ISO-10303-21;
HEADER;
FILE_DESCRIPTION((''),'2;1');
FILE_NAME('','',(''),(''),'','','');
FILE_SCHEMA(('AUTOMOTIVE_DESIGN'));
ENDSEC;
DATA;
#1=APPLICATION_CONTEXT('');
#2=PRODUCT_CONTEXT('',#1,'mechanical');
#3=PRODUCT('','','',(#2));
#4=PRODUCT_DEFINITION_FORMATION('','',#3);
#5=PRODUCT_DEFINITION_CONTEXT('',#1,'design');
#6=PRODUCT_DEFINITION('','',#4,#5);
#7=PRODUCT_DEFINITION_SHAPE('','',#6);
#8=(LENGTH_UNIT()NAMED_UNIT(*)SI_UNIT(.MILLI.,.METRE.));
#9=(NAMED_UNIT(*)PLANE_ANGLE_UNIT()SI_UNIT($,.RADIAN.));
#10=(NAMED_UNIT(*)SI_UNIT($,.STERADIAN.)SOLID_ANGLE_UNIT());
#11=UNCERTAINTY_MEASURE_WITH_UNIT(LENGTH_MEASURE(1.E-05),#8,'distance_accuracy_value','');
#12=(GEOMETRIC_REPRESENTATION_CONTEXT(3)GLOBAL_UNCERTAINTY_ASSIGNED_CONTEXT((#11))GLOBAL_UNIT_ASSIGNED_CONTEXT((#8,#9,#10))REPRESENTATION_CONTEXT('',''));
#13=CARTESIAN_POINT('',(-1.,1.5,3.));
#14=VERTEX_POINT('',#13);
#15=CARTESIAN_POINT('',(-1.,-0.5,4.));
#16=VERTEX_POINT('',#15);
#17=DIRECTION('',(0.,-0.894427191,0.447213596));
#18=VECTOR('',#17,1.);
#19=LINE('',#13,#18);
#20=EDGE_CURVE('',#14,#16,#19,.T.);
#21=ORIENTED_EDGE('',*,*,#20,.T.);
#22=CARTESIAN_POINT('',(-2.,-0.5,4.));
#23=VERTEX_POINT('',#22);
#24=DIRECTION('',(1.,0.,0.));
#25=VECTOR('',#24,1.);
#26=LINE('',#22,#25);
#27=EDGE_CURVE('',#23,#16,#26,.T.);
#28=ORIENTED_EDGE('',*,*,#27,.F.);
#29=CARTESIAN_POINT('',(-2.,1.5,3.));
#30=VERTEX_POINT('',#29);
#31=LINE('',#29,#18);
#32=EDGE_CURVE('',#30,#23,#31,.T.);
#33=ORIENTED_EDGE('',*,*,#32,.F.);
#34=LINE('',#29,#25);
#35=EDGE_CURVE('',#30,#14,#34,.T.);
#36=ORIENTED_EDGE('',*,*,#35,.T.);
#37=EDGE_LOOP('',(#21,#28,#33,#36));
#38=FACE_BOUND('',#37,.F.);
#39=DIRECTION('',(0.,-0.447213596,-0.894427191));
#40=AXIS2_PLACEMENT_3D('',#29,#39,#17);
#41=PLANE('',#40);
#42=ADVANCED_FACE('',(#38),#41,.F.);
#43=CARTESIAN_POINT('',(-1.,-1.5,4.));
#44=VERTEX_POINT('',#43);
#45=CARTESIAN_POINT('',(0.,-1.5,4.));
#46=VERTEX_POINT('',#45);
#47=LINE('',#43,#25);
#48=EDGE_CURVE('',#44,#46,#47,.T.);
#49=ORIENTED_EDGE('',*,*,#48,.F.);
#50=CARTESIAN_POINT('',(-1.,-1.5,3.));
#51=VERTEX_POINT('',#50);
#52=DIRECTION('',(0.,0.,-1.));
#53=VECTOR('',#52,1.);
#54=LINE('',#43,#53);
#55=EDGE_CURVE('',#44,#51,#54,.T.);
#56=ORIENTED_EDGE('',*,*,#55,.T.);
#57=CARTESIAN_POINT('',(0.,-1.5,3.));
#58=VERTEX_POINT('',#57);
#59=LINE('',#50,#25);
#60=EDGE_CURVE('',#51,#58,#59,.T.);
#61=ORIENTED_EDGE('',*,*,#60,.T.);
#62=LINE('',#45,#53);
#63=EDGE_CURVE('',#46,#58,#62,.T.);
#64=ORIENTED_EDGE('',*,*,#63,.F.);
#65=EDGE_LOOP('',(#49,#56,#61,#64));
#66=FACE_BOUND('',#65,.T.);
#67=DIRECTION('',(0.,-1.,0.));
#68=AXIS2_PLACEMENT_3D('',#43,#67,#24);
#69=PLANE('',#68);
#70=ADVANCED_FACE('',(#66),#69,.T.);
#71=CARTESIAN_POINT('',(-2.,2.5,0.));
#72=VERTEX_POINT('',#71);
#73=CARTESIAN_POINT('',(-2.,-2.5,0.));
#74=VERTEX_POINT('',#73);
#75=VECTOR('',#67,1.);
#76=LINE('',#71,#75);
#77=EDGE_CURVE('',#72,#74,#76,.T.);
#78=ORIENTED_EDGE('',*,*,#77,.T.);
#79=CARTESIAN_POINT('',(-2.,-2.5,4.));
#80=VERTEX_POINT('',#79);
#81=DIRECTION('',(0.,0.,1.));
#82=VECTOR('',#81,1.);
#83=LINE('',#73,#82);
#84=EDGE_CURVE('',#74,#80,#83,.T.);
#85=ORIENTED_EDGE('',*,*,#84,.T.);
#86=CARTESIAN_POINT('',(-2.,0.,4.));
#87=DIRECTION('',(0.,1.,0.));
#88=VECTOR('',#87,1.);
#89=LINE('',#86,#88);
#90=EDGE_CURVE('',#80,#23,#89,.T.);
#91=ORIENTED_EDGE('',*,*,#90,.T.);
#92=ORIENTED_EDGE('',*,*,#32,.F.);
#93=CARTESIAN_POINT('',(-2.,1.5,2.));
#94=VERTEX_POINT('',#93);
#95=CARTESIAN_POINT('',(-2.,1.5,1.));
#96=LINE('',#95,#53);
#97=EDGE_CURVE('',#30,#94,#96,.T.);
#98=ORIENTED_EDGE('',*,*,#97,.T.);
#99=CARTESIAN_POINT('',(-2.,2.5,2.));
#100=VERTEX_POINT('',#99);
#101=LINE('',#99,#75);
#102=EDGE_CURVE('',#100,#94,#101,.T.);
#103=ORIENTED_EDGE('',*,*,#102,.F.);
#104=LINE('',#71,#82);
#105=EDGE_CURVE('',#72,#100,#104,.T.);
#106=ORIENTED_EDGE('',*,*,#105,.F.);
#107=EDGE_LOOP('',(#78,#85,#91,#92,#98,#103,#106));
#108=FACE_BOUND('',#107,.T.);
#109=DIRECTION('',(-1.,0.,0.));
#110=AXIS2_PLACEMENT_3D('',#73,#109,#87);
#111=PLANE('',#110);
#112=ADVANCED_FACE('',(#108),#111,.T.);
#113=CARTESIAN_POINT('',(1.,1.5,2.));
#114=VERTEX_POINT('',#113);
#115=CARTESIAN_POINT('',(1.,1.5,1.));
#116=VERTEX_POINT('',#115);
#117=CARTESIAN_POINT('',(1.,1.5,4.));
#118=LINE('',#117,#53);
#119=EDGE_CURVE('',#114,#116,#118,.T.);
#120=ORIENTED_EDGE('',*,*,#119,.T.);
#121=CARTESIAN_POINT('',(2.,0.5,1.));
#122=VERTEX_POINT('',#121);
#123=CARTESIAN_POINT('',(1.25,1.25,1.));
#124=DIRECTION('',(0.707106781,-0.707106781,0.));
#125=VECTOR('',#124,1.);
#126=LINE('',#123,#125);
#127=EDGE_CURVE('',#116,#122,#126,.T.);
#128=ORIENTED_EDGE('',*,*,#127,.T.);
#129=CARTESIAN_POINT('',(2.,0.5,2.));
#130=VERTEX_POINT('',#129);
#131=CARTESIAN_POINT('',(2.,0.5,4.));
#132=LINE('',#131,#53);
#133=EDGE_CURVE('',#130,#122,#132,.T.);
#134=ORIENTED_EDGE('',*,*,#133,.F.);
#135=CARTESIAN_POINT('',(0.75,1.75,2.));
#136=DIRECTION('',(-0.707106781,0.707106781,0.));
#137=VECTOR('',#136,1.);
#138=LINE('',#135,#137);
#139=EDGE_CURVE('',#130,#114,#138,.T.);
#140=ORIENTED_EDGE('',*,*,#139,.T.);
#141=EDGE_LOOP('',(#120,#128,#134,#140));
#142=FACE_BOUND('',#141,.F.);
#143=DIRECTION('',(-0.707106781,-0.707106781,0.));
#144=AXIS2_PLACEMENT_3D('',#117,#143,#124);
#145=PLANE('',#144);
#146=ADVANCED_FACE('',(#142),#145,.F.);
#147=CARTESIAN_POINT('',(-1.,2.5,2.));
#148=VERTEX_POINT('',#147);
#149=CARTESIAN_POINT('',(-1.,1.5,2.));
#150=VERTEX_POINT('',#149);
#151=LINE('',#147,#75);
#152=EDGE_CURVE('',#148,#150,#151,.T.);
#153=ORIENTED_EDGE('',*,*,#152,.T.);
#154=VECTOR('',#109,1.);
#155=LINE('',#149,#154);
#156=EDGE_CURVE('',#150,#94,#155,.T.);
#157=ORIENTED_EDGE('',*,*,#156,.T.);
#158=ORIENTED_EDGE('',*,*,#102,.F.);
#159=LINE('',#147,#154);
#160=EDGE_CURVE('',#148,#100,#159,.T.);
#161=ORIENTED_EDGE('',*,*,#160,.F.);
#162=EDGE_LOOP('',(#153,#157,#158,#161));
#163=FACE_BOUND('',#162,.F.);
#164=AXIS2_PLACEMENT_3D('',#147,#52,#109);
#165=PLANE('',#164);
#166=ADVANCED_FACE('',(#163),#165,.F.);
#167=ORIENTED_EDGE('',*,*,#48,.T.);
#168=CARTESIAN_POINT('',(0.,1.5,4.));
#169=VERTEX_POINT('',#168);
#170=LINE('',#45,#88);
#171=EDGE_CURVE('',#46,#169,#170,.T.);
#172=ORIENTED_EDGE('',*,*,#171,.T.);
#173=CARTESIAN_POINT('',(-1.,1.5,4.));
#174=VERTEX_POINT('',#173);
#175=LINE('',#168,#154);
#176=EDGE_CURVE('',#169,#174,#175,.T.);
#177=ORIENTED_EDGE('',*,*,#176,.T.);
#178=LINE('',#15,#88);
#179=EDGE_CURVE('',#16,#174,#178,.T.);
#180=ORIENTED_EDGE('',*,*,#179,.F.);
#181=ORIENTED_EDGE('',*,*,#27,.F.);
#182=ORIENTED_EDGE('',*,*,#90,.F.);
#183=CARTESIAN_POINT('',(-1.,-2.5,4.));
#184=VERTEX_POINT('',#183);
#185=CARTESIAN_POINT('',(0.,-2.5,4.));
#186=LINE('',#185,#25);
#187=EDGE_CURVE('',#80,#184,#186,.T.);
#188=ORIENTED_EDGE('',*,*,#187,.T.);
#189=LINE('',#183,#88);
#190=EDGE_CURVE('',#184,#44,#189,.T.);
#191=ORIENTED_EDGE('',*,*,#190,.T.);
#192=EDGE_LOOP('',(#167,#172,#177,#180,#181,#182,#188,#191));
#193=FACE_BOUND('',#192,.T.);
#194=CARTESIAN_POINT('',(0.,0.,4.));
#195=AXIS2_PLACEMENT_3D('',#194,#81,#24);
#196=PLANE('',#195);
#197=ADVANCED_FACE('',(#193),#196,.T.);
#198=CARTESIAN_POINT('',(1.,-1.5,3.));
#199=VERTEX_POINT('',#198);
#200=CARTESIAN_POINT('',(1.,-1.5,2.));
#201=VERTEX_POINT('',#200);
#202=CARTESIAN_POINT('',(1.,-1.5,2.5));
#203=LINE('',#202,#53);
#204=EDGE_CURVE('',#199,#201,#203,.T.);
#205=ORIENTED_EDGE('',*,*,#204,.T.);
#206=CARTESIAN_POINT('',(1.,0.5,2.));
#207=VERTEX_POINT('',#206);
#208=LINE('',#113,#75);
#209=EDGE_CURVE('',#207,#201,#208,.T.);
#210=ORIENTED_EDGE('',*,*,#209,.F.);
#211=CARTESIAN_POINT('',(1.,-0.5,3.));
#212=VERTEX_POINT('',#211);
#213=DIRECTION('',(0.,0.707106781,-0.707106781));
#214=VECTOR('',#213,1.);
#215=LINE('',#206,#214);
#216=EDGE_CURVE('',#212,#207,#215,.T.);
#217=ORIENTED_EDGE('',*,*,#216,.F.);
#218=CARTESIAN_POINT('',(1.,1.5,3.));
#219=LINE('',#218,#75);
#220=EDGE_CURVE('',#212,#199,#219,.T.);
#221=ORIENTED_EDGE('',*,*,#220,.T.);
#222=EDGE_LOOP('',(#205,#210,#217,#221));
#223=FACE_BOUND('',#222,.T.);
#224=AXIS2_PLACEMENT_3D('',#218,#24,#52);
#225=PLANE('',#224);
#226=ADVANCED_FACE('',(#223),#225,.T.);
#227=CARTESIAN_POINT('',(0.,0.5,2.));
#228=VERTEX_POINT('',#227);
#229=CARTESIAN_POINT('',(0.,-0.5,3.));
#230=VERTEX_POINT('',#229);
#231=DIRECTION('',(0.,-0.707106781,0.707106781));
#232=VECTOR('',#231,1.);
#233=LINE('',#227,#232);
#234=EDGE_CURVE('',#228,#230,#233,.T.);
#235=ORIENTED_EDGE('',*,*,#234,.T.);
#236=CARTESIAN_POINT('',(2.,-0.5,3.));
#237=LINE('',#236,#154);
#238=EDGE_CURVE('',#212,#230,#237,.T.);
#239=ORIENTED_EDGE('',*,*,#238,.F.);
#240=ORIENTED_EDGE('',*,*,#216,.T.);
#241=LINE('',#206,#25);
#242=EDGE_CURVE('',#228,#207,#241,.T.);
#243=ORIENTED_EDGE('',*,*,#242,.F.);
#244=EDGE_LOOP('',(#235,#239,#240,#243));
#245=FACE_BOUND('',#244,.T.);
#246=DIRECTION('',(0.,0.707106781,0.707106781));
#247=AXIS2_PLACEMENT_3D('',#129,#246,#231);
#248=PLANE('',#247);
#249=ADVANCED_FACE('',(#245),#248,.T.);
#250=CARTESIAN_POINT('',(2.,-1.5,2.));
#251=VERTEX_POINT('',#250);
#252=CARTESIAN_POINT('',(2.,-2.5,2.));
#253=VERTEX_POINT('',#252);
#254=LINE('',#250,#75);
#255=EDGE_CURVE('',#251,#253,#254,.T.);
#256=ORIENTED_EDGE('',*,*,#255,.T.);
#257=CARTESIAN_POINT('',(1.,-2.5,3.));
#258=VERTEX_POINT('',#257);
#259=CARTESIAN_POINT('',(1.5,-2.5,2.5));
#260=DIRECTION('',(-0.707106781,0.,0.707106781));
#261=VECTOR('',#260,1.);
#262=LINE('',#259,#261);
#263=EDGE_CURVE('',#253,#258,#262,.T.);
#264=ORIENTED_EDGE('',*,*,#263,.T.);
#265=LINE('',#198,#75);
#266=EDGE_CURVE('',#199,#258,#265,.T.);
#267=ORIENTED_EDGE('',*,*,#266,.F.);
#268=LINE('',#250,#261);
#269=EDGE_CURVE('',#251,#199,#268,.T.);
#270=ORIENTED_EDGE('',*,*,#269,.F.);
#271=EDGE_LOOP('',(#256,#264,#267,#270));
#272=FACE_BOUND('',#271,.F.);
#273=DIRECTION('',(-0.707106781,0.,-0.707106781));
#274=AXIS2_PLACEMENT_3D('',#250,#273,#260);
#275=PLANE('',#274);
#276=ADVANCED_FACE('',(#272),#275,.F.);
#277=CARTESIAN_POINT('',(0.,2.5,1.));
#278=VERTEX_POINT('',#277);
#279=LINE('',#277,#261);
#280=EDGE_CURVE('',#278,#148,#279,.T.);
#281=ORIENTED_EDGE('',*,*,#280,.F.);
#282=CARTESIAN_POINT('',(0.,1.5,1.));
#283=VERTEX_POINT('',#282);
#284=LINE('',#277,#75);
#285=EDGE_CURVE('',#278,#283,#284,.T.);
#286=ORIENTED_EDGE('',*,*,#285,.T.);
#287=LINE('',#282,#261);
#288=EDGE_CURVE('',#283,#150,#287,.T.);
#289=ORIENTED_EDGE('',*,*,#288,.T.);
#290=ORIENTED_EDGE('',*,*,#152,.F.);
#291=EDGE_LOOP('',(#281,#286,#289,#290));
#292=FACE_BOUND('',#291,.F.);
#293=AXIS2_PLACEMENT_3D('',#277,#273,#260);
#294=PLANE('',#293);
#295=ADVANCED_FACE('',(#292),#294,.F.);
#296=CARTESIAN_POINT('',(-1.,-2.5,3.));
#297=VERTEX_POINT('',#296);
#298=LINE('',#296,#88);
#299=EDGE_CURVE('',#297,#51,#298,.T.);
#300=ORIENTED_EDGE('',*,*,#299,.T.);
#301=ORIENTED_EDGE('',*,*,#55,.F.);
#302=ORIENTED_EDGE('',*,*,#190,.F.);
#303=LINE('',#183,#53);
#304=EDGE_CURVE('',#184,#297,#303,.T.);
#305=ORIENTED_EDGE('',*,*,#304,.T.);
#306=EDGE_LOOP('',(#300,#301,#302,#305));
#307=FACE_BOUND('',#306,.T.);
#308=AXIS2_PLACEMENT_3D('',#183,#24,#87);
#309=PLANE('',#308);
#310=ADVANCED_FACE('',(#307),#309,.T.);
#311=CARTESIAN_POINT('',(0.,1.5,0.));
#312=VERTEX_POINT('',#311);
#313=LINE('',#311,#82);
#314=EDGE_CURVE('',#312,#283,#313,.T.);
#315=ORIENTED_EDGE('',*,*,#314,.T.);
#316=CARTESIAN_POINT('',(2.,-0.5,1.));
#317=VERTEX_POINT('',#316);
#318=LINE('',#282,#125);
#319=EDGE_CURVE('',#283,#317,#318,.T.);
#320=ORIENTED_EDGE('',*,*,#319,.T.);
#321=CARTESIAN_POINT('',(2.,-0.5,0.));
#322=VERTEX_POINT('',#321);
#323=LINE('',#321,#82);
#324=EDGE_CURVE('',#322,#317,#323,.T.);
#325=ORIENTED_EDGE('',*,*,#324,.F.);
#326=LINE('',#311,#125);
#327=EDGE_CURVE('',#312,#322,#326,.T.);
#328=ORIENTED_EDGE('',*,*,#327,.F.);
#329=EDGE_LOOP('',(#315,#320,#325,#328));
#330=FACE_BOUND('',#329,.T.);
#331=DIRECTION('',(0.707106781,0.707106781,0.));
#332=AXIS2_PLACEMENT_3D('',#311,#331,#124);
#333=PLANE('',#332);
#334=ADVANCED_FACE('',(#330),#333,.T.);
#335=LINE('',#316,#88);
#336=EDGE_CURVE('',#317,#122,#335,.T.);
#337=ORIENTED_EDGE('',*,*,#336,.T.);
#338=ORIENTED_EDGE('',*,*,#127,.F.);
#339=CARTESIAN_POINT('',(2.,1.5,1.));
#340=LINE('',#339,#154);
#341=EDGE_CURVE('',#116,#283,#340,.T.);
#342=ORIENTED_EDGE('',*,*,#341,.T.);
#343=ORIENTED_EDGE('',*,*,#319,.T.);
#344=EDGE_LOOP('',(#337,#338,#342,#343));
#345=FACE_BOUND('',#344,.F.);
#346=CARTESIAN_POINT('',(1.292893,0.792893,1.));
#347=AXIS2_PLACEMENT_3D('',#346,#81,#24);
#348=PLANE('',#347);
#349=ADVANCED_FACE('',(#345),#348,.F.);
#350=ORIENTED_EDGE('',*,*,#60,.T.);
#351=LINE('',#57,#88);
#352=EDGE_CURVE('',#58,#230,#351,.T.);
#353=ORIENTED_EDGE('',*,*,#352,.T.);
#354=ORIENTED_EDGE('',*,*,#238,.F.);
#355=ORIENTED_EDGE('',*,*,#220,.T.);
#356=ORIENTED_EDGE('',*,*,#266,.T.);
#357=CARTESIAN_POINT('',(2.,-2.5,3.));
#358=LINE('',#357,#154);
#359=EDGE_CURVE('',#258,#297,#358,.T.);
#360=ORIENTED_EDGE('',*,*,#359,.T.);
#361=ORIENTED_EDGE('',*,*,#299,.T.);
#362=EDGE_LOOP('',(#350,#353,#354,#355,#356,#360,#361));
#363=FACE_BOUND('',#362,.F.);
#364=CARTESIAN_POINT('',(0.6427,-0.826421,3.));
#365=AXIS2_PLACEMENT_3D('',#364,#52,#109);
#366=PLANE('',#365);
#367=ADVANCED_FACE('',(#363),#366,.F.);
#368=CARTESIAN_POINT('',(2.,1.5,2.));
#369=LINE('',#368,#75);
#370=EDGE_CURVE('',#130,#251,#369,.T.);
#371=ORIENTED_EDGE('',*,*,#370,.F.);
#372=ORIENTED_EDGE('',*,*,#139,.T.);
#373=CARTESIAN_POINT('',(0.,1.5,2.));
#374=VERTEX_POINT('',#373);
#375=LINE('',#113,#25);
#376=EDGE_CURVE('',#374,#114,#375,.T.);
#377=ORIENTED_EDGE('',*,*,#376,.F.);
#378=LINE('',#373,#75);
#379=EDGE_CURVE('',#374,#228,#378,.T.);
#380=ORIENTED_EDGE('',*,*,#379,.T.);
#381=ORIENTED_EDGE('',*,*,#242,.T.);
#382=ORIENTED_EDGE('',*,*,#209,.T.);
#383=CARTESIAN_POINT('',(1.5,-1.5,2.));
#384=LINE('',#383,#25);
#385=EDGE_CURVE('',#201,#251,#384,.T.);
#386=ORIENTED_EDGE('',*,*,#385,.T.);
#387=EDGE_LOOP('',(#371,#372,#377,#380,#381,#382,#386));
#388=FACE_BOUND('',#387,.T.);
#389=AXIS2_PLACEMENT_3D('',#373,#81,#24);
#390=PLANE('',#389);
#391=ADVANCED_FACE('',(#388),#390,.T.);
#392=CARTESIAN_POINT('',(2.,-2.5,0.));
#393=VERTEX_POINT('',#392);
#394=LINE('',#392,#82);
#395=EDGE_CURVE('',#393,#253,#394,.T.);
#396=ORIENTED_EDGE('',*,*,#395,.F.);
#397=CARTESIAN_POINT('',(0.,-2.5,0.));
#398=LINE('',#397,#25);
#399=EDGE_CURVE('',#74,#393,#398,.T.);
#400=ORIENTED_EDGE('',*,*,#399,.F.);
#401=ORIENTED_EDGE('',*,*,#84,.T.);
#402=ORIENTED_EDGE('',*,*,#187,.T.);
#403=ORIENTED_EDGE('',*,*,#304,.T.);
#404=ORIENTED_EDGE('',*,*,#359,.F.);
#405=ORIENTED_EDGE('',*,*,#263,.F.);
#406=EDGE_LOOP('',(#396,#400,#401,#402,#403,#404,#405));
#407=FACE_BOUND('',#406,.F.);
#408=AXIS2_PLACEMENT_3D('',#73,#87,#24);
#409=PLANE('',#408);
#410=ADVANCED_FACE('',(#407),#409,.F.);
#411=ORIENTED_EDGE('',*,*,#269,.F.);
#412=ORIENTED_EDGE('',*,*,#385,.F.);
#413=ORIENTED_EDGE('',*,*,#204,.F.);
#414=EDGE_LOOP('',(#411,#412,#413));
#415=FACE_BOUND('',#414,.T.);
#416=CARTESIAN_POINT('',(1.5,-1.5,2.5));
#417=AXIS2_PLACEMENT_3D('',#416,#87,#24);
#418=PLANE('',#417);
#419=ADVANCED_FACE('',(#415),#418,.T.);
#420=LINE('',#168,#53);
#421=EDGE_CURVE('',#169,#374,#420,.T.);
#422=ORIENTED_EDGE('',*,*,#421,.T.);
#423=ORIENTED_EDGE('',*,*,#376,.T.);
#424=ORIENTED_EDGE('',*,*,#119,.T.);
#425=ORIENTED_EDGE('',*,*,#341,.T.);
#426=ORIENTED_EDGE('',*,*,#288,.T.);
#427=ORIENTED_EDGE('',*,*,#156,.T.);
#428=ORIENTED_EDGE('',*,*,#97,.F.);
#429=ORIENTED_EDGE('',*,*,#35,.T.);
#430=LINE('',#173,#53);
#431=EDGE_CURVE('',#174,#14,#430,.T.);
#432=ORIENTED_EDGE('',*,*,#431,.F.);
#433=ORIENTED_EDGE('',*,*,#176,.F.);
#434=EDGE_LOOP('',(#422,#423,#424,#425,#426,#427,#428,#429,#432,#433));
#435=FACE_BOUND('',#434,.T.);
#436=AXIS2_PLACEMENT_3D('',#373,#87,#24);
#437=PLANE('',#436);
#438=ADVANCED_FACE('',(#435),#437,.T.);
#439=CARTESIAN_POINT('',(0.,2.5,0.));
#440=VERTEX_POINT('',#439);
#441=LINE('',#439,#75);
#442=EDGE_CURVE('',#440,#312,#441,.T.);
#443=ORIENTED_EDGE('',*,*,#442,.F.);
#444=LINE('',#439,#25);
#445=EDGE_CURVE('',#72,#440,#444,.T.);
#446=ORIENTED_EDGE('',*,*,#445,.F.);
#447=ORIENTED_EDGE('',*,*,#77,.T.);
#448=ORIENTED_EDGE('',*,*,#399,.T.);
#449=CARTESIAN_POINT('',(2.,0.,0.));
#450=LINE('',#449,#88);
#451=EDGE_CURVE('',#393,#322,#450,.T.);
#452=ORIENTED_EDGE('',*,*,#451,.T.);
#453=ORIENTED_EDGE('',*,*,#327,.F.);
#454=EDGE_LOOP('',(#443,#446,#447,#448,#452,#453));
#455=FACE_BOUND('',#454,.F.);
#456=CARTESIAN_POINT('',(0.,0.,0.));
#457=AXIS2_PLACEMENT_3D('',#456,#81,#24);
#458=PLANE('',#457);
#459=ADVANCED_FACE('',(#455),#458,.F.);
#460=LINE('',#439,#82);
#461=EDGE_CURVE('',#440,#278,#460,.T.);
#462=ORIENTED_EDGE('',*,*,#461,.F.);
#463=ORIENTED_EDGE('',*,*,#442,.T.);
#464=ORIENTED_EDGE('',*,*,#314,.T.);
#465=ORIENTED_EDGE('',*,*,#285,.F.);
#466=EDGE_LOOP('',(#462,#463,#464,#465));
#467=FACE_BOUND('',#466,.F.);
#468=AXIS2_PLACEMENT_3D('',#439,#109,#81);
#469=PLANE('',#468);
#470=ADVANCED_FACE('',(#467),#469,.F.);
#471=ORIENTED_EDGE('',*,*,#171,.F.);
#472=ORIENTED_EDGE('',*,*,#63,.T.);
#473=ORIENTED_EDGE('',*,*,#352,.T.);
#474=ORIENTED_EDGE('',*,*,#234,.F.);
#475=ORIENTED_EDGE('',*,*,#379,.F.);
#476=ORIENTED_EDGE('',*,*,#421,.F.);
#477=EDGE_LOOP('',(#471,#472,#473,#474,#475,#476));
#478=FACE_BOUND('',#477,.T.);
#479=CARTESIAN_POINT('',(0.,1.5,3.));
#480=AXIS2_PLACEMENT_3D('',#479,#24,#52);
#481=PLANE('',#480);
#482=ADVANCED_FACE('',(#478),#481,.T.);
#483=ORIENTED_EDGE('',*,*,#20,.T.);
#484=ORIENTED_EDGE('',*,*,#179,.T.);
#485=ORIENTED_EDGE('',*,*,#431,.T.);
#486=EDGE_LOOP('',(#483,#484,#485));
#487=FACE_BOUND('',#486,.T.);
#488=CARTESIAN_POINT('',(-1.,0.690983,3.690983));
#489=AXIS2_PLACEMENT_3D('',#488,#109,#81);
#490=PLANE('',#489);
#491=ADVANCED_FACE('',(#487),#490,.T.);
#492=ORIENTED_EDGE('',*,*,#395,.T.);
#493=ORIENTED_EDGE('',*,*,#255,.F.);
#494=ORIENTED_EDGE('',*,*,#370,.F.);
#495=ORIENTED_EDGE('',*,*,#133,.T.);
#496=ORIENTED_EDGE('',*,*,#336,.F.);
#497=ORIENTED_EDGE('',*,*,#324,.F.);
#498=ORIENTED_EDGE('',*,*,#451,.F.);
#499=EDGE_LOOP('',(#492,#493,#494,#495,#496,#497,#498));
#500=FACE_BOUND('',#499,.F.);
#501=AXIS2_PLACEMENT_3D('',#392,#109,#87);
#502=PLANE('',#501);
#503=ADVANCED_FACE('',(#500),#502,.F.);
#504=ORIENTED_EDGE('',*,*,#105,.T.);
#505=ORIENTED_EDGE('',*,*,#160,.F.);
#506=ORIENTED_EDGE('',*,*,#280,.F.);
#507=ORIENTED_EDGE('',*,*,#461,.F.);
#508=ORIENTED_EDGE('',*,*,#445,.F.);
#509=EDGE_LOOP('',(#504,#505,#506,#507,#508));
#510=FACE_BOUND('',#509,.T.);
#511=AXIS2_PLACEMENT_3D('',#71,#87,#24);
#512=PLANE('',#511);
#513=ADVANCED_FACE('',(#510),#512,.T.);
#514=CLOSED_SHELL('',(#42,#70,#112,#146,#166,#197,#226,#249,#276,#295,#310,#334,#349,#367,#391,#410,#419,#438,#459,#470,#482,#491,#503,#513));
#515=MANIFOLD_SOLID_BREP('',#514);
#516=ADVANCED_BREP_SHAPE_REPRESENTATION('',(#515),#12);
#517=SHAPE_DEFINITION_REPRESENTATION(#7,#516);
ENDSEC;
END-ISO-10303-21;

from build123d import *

# Parameters (mm, degrees)
SKETCH1_W           = 4
SKETCH1_H           = 5
BOSS_EXTRUDE1_DEPTH = 4
SKETCH2_OUTSIDE_W   = 7.51
SKETCH2_OUTSIDE_H   = 7.51
CUT_EXTRUDE1_DEPTH  = 1
CUT_EXTRUDE2_DEPTH  = 1
CUT_EXTRUDE3_DEPTH  = 1
CUT_EXTRUDE4_DEPTH  = 5
CUT_EXTRUDE5_DEPTH  = 1
SKETCH7_W           = 2
SKETCH7_H           = 1
CUT_EXTRUDE6_DEPTH  = 1
CUT_EXTRUDE7_DEPTH  = 2
SKETCH9_W           = 1
SKETCH9_H           = 1
CUT_EXTRUDE9_DEPTH  = 3
CUT_EXTRUDE10_DEPTH = 3


with BuildPart() as part:
    # Sketch1 → Boss-Extrude1 (new body)
    with BuildSketch(Plane.XY):
        Rectangle(SKETCH1_W, SKETCH1_H)
    extrude(amount=BOSS_EXTRUDE1_DEPTH)

    # Sketch2 outside → Cut-Extrude1 (cut)
    with BuildSketch(Plane(origin=(0, 2.5, 0), x_dir=(1, 0, 0), z_dir=(0, 1, 0))):
        with Locations((0, -2)):
            Rectangle(SKETCH2_OUTSIDE_W, SKETCH2_OUTSIDE_H)
        Polygon((0, 0), (0, -1), (-1, -2), (-2, -2), (-2, 0), align=None, mode=Mode.SUBTRACT)
    extrude(amount=-CUT_EXTRUDE1_DEPTH, mode=Mode.SUBTRACT)

    # Sketch3 → Cut-Extrude2 (cut)
    with BuildSketch(Plane(origin=(0, 0, 0), x_dir=(-1, 0, 0), z_dir=(0, 0, -1))):
        Polygon((0, 1.5), (-2, -0.5), (-2, 1.5), align=None)
    extrude(amount=-CUT_EXTRUDE2_DEPTH, mode=Mode.SUBTRACT)

    # Sketch4 → Cut-Extrude3 (cut)
    with BuildSketch(Plane.ZY.offset(2)):
        Polygon((3, 1.5), (4, -0.5), (4, 1.5), align=None)
    extrude(amount=-CUT_EXTRUDE3_DEPTH, mode=Mode.SUBTRACT)

    # Sketch5 → Cut-Extrude4 (cut, through all)
    with BuildSketch(Plane.XY.offset(4)):
        Polygon((2, 1.5), (1, 1.5), (2, 0.5), align=None)
    extrude(amount=-CUT_EXTRUDE4_DEPTH, mode=Mode.SUBTRACT)

    # Sketch6 → Cut-Extrude5 (cut)
    with BuildSketch(Plane.XY.offset(4)):
        Polygon((-1, -2.5), (-1, -1.5), (0, -1.5), (0, 1.5), (1, 1.5), (2, 0.5), (2, -2.5), align=None)
    extrude(amount=-CUT_EXTRUDE5_DEPTH, mode=Mode.SUBTRACT)

    # Sketch7 → Cut-Extrude6 (cut)
    with BuildSketch(Plane(origin=(0, 1.5, 0), x_dir=(1, 0, 0), z_dir=(0, 1, 0))):
        with Locations((1, -2.5)):
            Rectangle(SKETCH7_W, SKETCH7_H)
    extrude(amount=-CUT_EXTRUDE6_DEPTH, mode=Mode.SUBTRACT)

    # Sketch8 → Cut-Extrude7 (cut)
    with BuildSketch(Plane(origin=(2, 0, 0), x_dir=(0, 0, -1), z_dir=(1, 0, 0))):
        Polygon((-2, 0.5), (-3, -0.5), (-3, 0.5), align=None)
    extrude(amount=-CUT_EXTRUDE7_DEPTH, mode=Mode.SUBTRACT)

    # Sketch9 → Cut-Extrude9 (cut)
    with BuildSketch(Plane(origin=(0, 1.5, 0), x_dir=(1, 0, 0), z_dir=(0, 1, 0))):
        with Locations((1.5, -2.5)):
            Rectangle(SKETCH9_W, SKETCH9_H)
    extrude(amount=-CUT_EXTRUDE9_DEPTH, mode=Mode.SUBTRACT)

    # Sketch10 → Cut-Extrude10 (cut)
    with BuildSketch(Plane(origin=(0, -1.5, 0), x_dir=(1, 0, 0), z_dir=(0, 1, 0))):
        Polygon((2, -2), (1, -3), (2, -3), align=None)
    extrude(amount=-CUT_EXTRUDE10_DEPTH, mode=Mode.SUBTRACT)


solid = part.part
